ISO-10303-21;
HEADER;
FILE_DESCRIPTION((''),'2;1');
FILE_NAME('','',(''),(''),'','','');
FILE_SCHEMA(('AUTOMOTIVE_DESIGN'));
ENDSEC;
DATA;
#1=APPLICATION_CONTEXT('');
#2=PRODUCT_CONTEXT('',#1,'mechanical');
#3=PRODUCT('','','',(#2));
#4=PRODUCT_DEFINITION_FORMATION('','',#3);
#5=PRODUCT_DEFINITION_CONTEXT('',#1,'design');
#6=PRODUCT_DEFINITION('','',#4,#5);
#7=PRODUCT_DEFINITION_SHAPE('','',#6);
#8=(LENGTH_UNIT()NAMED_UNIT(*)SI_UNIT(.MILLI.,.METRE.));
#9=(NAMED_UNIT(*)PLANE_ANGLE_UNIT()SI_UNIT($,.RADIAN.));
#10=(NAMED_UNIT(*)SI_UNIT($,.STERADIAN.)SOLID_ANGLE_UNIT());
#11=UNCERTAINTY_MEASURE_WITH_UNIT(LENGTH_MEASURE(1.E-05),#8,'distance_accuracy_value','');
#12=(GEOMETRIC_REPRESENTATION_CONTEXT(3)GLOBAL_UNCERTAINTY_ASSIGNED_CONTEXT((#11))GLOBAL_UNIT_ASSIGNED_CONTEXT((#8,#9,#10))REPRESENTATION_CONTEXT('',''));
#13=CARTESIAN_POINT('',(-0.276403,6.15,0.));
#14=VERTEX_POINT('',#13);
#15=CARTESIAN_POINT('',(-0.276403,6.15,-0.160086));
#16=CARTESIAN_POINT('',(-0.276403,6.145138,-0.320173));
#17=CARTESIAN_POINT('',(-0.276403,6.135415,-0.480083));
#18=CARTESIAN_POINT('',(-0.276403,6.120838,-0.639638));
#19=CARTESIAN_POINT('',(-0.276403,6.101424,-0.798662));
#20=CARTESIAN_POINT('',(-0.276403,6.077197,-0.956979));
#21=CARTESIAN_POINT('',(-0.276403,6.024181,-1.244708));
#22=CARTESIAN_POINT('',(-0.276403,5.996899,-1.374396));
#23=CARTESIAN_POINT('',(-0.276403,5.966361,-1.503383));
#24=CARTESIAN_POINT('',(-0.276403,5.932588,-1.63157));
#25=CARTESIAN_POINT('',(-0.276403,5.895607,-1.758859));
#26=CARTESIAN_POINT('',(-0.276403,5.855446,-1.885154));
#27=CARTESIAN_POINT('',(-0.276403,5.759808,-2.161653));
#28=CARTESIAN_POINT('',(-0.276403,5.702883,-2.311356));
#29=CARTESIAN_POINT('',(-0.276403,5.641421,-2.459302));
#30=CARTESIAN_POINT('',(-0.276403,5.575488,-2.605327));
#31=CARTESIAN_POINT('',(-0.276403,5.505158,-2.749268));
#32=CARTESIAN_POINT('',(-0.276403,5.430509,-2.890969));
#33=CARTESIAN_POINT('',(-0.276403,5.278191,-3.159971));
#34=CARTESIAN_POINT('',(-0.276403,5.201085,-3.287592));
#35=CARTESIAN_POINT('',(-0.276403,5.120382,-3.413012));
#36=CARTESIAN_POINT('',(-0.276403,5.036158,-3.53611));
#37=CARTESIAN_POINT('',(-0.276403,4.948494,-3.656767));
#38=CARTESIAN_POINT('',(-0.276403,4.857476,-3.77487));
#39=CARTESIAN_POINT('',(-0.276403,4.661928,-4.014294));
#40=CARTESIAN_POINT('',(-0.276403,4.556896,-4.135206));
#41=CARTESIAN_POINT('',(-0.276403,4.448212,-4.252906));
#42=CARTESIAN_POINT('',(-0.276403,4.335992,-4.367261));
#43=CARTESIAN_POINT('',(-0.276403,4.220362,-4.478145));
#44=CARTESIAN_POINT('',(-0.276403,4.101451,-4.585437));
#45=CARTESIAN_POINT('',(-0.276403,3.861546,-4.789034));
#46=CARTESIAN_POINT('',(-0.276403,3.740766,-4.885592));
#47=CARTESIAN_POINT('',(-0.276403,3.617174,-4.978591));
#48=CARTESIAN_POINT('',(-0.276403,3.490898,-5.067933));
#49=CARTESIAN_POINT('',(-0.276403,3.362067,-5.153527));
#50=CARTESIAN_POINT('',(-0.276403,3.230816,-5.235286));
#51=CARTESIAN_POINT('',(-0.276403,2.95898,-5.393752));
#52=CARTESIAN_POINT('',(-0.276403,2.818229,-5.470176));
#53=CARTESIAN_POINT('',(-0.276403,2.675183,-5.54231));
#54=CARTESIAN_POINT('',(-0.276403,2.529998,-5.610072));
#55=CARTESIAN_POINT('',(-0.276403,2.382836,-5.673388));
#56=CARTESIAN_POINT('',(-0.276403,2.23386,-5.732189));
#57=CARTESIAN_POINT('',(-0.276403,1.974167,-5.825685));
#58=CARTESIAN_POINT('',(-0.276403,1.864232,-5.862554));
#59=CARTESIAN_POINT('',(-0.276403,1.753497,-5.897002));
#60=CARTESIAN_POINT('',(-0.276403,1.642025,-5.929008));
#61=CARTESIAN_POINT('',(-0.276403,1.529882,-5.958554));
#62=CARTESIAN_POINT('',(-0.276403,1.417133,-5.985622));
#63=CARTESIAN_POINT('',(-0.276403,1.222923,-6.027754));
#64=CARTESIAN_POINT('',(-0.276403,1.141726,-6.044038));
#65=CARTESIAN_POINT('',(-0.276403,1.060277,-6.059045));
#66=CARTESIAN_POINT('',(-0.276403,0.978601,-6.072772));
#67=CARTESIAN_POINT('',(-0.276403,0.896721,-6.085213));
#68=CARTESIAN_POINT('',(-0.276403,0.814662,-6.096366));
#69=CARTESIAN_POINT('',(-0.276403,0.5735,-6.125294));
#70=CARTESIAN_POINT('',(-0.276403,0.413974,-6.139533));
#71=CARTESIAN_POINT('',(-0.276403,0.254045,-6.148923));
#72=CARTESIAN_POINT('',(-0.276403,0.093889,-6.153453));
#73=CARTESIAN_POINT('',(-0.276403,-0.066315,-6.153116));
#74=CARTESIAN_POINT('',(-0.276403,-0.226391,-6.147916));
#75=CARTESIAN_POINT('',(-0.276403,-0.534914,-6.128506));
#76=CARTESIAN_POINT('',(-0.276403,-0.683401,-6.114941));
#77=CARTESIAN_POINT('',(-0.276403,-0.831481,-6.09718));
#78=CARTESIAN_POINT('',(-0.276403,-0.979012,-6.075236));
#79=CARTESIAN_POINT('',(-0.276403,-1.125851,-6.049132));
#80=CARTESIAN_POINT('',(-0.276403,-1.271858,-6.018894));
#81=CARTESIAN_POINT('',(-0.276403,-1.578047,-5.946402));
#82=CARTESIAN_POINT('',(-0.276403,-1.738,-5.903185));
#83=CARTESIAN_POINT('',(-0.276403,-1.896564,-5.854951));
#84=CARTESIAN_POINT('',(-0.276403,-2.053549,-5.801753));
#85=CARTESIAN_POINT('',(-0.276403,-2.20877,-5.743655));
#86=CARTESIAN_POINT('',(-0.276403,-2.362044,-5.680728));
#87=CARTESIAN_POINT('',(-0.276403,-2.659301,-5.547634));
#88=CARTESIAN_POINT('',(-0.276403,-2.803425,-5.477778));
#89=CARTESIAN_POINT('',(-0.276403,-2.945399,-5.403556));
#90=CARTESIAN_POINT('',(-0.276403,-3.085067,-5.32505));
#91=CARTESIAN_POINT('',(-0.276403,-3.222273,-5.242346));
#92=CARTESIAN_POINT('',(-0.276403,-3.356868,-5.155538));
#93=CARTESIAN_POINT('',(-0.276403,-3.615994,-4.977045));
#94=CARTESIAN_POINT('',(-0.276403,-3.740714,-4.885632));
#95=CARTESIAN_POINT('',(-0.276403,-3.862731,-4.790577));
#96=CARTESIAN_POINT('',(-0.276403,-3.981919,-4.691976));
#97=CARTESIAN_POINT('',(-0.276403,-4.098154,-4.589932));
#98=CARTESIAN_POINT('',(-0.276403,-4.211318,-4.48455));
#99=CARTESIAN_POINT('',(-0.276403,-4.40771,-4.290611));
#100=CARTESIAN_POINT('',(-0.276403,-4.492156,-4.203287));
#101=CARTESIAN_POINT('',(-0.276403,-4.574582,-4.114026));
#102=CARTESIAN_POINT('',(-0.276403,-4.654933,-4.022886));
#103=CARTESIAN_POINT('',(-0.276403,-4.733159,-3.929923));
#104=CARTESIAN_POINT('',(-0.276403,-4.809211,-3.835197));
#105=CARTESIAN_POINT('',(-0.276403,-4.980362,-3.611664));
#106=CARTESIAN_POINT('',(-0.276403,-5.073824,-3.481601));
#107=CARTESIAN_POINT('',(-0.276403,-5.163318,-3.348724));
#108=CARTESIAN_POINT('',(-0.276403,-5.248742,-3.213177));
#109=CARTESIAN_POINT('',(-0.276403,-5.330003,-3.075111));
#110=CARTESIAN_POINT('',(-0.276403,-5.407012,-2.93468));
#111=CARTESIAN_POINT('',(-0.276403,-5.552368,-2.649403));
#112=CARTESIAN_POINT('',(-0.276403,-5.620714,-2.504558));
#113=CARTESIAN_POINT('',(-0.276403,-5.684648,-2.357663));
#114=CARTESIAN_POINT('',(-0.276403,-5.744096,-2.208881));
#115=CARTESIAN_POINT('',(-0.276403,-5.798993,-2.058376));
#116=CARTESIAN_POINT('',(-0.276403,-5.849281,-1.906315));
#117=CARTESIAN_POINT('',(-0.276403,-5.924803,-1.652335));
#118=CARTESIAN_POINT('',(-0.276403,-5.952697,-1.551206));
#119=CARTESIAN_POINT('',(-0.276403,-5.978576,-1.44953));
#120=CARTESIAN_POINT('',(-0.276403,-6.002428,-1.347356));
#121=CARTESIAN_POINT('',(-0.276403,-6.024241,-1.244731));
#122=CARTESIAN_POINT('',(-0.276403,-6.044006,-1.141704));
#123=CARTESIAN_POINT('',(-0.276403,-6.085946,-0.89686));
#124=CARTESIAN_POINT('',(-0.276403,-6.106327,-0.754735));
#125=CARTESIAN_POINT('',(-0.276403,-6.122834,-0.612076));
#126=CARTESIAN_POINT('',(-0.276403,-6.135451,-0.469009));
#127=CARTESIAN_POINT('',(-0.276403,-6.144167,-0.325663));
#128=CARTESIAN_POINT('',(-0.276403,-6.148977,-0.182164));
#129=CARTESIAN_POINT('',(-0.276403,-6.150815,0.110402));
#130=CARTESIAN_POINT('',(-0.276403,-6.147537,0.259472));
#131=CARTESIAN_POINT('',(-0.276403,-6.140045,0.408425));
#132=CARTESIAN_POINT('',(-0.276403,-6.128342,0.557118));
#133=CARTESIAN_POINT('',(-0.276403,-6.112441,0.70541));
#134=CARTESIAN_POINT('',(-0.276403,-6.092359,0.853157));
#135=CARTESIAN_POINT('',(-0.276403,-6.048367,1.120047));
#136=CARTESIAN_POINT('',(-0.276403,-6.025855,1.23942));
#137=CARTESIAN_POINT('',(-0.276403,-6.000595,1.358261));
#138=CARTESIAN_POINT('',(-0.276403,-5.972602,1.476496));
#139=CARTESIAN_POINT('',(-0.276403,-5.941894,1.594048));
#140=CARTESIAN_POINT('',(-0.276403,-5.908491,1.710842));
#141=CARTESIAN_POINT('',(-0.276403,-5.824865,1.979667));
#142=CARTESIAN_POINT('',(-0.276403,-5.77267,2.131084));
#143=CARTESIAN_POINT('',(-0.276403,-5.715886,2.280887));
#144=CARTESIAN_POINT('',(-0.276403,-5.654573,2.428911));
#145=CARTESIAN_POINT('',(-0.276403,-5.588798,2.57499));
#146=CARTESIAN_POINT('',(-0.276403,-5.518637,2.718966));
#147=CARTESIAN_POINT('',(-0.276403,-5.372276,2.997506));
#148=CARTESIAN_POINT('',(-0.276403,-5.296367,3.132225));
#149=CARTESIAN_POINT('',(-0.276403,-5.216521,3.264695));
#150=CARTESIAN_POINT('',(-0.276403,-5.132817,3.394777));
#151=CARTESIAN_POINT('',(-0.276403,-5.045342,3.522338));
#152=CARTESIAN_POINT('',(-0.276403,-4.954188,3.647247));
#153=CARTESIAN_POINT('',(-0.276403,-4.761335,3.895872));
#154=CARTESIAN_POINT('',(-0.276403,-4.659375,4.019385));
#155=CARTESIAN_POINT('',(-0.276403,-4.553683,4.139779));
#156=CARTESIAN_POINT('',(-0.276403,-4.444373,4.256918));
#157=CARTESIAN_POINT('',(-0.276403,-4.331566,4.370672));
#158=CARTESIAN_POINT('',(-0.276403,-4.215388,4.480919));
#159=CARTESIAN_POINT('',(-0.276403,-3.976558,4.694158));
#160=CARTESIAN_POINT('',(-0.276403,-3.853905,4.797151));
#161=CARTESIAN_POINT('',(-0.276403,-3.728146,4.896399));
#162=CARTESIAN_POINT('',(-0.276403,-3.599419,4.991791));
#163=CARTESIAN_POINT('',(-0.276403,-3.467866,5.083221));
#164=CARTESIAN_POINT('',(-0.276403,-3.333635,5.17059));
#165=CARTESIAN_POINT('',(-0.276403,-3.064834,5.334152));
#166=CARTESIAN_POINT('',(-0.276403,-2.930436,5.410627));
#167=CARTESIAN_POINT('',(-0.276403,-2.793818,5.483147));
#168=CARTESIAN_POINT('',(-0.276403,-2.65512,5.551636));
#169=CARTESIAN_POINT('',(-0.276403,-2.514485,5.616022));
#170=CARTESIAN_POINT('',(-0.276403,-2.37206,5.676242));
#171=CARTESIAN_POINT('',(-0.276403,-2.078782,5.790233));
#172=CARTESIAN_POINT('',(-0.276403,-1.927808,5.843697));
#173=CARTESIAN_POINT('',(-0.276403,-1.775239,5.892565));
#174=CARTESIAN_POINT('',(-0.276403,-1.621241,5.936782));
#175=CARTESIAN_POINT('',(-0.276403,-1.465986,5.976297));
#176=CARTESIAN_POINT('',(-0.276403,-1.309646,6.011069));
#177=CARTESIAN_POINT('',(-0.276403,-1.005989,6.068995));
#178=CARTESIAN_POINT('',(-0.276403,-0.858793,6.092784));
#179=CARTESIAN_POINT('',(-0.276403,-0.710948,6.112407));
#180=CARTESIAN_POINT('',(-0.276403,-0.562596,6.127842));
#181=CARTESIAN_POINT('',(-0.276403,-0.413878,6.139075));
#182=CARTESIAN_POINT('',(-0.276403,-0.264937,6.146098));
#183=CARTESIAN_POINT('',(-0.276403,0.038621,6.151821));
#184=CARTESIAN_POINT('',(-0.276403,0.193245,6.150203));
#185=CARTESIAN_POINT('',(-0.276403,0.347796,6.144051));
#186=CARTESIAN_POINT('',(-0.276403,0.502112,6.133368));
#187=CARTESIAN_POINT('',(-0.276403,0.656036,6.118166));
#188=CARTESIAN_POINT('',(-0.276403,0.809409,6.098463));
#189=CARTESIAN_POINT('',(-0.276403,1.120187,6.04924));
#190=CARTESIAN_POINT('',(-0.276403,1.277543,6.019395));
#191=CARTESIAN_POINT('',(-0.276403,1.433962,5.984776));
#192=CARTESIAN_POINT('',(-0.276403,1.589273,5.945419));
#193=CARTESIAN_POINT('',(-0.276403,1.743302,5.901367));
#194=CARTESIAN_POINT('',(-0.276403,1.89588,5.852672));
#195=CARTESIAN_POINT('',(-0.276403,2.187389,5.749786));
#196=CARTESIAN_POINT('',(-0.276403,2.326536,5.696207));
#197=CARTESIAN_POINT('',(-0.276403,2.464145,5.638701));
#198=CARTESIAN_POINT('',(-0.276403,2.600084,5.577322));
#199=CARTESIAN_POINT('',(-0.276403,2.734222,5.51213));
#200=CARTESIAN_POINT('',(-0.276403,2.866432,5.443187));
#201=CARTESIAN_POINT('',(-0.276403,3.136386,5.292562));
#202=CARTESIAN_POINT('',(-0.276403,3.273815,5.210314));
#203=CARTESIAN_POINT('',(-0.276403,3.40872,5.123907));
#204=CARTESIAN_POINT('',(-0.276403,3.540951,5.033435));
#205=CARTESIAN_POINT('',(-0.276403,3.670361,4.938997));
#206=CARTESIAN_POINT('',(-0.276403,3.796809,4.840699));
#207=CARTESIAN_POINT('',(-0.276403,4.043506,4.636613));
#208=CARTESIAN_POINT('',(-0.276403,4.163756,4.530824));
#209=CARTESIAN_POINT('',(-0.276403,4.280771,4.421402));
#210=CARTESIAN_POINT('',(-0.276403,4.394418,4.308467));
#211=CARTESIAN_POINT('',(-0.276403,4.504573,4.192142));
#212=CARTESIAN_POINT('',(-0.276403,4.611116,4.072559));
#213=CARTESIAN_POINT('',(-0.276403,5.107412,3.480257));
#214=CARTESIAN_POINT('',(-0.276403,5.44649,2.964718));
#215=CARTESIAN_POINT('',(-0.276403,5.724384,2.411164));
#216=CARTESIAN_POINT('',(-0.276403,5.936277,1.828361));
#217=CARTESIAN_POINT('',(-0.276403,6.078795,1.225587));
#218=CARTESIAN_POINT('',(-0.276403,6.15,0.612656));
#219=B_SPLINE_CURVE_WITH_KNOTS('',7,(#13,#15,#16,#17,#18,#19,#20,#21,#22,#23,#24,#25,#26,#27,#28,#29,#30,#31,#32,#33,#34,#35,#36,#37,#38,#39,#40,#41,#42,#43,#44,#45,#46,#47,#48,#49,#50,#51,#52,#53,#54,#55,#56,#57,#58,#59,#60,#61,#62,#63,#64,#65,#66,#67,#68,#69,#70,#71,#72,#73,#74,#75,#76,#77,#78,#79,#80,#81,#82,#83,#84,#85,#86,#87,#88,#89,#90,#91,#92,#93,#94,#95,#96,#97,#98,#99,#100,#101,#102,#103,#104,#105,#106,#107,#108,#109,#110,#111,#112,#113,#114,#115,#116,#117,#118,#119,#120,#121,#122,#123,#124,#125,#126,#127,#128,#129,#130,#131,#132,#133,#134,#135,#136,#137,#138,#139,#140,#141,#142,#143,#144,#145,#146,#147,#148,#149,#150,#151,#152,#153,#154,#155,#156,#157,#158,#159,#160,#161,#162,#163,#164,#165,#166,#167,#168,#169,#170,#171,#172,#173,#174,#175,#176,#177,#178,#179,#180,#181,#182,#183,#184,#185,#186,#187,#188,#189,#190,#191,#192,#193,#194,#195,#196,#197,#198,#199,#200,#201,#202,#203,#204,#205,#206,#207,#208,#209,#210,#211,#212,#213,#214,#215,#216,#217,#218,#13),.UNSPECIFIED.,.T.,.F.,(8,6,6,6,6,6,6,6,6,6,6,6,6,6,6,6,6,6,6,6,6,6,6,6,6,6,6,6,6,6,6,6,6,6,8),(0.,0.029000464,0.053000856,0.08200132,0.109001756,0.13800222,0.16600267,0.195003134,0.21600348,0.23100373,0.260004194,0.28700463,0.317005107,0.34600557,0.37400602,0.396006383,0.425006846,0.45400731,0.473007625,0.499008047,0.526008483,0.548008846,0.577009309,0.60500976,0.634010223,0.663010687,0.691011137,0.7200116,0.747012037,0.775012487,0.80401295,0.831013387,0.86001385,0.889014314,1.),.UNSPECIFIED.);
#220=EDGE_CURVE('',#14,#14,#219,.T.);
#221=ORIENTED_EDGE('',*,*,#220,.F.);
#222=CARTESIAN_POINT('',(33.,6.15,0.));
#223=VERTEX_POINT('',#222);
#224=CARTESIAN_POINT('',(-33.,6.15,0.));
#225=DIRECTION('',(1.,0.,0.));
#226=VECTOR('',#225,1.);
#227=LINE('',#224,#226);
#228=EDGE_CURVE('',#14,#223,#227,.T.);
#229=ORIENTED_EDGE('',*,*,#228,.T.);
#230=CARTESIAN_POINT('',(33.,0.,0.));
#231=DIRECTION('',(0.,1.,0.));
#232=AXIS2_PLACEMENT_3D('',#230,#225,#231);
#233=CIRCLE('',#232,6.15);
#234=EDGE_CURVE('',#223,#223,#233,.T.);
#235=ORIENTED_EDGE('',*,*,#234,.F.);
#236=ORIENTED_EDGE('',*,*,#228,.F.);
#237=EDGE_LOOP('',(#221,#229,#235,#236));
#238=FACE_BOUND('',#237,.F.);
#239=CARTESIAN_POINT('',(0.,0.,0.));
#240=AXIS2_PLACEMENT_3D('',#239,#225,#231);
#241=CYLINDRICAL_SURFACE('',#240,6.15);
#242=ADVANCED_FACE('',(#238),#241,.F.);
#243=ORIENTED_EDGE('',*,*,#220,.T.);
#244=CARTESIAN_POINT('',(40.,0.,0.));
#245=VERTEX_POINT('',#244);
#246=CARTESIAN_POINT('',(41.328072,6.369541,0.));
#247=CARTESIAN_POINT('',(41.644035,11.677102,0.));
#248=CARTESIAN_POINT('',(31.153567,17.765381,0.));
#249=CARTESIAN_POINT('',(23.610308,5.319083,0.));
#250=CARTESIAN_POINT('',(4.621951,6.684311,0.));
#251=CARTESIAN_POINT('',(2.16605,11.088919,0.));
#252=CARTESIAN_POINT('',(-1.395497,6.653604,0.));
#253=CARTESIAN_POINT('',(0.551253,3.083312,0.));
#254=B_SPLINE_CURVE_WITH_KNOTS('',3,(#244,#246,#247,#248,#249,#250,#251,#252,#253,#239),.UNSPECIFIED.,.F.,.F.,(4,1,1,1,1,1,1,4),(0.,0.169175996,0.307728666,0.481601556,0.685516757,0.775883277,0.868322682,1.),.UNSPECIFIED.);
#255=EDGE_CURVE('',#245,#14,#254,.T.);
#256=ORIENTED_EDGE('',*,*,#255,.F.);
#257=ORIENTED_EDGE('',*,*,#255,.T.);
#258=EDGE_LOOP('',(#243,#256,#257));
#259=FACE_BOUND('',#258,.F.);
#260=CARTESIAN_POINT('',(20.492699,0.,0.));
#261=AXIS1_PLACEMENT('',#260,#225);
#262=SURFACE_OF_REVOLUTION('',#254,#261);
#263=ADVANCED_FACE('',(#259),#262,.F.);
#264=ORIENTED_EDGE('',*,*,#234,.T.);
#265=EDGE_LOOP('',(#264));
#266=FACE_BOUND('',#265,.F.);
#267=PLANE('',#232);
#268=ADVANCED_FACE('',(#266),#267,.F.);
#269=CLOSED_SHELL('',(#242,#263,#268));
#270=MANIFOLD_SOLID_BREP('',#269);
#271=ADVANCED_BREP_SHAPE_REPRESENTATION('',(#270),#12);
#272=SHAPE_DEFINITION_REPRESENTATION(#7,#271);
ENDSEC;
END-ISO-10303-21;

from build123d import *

# Parameters (mm, degrees)
F2_R     = 6.15
F3_DEPTH = 33


with BuildPart() as f1:
    # F0 (on Top) → F1 (revolve)
    with BuildSketch(Plane.XY):
        with BuildLine():
            Line((0, 0), (40, 0))
            add(Edge.make_bspline(
                [(40, 0), (41.3280721974, 6.3695411813), (41.6440347104, 11.6771015295), (31.1535671598, 17.7653810014), (23.6103083806, 5.3190828849), (4.6219510912, 6.6843105817), (2.1660500244, 11.0889187907), (-1.3954972826, 6.6536040046), (0.5512528152, 3.0833115372), (0, 0)],
                knots=[0, 0, 0, 0, 0.1691759957, 0.3077286658, 0.4816015559, 0.6855167568, 0.7758832772, 0.8683226823, 1, 1, 1, 1], degree=3))
        make_face()
    revolve(axis=Axis((20.4926985316, 0, 0), (1, 0, 0)))

    # F2 (on Right) → F3 (cut, symmetric)
    with BuildSketch(Plane.YZ):
        Circle(F2_R)
    extrude(amount=F3_DEPTH, both=True, mode=Mode.SUBTRACT)


solid = f1.part
